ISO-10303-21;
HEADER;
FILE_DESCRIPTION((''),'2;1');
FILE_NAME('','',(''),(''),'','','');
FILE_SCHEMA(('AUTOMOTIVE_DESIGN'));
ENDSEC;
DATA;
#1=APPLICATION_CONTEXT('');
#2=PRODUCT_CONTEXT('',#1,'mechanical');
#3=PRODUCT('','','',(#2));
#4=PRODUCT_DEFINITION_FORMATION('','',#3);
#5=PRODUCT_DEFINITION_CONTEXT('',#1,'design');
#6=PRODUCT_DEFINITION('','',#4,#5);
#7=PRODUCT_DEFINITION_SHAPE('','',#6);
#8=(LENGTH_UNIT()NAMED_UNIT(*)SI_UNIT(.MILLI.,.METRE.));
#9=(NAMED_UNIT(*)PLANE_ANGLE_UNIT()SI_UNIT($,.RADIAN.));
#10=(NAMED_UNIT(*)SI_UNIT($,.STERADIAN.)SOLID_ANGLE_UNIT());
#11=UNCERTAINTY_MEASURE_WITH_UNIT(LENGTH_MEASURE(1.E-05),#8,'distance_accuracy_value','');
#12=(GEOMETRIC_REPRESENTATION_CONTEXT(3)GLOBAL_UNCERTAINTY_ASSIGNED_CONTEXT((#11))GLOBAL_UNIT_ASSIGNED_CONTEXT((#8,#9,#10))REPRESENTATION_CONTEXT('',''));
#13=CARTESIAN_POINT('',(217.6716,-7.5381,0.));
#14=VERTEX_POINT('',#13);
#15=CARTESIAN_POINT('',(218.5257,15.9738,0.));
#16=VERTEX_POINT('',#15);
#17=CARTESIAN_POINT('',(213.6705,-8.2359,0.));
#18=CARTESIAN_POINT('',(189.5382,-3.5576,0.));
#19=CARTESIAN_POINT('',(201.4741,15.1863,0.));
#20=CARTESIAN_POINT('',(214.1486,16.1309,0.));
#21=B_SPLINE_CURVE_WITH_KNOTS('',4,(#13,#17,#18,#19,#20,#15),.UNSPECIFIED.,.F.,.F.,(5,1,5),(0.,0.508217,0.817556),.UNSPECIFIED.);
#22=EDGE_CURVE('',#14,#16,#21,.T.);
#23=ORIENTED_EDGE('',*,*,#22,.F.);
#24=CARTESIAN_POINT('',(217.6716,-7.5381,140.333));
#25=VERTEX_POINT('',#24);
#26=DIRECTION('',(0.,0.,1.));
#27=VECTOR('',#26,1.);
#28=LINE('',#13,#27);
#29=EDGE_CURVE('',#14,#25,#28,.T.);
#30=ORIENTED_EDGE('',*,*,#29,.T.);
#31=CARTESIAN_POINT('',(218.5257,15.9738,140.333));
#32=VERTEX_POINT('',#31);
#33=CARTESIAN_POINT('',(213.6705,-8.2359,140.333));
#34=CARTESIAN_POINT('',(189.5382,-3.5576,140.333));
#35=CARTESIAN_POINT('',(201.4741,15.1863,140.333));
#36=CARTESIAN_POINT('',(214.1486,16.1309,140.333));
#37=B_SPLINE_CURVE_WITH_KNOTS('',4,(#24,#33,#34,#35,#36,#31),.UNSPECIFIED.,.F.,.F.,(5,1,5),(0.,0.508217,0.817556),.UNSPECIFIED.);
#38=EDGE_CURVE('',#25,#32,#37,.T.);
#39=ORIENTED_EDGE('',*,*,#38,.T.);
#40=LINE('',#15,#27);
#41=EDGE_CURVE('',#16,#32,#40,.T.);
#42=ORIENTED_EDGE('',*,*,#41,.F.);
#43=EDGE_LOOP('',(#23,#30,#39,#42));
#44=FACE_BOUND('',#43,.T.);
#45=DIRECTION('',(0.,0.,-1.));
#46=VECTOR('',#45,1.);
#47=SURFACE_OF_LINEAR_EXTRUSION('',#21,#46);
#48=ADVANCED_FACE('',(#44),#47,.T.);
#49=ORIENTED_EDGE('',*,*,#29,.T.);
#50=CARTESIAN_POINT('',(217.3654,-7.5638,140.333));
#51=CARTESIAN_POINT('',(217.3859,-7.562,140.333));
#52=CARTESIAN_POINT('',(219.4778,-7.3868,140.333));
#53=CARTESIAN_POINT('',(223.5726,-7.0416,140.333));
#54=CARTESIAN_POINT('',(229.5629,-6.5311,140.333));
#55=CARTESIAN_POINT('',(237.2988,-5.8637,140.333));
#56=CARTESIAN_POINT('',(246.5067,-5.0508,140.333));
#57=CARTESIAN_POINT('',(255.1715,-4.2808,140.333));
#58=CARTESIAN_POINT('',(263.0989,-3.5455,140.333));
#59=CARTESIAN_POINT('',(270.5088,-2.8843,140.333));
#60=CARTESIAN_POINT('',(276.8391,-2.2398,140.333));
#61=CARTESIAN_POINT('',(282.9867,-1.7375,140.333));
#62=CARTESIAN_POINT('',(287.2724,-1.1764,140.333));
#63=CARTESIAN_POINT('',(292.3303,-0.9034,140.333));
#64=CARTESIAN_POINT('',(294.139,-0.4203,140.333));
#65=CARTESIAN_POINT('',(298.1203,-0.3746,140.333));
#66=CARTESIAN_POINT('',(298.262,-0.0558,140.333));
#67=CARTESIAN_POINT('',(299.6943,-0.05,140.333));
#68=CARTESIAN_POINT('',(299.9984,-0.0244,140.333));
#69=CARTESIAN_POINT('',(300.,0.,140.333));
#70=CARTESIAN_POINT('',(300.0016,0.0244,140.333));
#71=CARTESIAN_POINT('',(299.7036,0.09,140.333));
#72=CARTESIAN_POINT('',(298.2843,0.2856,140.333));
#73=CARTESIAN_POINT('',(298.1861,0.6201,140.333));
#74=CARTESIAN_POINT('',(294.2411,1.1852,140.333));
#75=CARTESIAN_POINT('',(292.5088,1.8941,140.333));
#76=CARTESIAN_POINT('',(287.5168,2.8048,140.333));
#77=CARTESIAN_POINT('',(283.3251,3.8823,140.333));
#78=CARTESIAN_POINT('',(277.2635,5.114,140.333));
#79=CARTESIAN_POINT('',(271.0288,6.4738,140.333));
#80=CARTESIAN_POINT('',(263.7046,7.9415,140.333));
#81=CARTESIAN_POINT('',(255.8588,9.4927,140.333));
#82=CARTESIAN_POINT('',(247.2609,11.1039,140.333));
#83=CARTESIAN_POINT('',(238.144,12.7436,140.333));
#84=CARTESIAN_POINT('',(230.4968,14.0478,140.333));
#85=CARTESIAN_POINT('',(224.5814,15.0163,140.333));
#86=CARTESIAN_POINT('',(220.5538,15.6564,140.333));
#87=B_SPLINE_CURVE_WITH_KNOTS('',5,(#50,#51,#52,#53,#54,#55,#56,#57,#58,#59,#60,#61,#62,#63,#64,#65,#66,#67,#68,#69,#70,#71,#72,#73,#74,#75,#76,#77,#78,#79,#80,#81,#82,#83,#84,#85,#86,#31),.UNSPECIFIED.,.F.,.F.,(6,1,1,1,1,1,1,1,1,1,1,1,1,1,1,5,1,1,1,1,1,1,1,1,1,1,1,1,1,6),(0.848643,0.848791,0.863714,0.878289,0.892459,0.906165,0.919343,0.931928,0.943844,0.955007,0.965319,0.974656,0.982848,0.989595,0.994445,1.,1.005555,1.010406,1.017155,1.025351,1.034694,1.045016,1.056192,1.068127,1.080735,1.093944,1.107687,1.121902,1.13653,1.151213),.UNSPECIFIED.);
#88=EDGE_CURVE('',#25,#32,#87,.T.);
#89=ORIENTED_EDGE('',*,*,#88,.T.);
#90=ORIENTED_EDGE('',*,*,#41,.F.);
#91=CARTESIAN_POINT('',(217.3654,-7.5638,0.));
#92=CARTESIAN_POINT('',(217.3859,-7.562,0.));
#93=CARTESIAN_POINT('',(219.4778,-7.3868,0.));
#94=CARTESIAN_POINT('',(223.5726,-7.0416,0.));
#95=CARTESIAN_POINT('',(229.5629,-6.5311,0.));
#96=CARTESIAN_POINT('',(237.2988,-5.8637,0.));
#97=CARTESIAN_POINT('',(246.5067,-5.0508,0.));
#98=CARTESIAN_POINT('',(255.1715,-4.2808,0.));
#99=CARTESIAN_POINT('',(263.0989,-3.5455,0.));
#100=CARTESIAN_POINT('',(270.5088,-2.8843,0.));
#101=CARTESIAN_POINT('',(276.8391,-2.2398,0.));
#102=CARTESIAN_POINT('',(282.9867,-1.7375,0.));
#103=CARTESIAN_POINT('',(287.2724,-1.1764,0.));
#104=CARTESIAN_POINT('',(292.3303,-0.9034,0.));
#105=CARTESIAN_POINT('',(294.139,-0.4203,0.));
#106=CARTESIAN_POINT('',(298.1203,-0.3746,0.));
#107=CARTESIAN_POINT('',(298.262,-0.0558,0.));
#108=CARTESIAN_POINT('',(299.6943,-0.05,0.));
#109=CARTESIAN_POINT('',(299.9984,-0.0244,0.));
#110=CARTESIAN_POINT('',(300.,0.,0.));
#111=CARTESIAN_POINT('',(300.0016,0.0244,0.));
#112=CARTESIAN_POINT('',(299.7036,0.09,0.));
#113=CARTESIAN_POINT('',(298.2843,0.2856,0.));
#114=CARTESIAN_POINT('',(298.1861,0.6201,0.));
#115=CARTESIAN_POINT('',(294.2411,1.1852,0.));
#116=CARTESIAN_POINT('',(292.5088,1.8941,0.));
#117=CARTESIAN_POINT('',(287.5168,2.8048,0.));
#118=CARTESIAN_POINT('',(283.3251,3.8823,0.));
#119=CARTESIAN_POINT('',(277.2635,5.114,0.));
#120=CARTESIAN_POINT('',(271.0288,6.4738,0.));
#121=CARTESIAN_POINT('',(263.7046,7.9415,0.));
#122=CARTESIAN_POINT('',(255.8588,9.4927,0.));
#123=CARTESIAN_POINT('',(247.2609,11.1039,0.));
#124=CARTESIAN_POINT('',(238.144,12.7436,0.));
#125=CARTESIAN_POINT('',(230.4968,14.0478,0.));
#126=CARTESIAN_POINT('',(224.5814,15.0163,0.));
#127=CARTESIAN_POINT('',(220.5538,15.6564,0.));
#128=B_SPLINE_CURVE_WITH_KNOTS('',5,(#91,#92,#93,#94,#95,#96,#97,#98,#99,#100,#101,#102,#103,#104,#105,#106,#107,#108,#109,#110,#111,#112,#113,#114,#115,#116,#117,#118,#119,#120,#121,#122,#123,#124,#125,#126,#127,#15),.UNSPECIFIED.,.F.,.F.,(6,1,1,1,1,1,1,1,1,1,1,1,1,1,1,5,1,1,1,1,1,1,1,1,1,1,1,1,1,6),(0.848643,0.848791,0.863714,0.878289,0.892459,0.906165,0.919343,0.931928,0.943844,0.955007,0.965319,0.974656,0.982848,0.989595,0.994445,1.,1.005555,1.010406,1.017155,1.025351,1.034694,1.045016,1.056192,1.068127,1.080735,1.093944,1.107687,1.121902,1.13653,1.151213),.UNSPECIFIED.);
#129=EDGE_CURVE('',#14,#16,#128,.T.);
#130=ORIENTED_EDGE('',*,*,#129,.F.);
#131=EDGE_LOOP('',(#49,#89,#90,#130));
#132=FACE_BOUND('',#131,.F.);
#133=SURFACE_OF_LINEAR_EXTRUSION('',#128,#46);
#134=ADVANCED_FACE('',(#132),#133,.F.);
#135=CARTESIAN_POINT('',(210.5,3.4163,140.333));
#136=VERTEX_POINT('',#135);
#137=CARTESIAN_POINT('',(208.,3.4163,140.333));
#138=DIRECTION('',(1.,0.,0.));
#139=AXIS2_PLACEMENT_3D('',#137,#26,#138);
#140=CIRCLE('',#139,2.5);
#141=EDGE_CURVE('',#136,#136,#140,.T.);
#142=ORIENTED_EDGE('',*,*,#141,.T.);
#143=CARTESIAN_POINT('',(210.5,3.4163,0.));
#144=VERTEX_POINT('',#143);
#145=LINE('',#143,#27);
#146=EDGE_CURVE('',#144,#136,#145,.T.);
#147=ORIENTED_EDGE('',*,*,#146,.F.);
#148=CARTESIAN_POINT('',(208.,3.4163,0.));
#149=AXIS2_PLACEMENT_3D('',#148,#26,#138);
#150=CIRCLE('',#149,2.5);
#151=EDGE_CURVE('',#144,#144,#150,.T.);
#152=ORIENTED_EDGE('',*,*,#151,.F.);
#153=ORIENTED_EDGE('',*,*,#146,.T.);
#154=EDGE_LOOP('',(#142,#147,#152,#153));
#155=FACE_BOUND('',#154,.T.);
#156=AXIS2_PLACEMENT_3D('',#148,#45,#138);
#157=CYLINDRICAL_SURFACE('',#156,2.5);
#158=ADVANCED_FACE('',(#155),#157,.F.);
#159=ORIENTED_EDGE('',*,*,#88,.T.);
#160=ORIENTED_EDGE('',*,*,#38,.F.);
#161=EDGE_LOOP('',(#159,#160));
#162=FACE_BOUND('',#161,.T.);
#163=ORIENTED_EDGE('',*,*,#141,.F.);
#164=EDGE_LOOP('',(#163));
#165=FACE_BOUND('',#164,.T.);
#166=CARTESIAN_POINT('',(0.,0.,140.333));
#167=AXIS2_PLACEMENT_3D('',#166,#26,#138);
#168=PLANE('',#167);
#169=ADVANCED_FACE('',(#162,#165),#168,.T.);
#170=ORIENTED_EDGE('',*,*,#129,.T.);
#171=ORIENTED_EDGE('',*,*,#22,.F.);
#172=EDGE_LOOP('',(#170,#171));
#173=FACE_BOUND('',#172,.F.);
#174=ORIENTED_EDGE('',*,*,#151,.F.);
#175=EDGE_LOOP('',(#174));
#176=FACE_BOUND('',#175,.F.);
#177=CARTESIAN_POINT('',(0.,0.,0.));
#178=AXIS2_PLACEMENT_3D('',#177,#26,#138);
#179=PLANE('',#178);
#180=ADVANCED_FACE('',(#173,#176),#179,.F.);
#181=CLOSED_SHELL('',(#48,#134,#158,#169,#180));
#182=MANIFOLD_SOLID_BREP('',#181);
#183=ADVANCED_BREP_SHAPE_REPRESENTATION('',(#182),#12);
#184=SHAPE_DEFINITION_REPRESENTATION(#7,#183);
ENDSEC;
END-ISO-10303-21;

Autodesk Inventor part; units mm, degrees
ref_plane "YZ Plane" through (0, 0, 0) normal (1, 0, 0) x (0, 1, 0)
ref_plane "XZ Plane" through (0, 0, 0) normal (0, 1, 0) x (-1, 0, 0)
ref_plane "XY Plane" through (0, 0, 0) normal (0, 0, 1) x (1, 0, 0)
sketch "Sketch1" plane through (0, 0, 0) normal (0, 0, 1) x (1, 0, 0)
  spline S0 degree 5 poles (217.3654, -7.5638) (217.3859, -7.562) (219.4778, -7.3868) (223.5726, -7.0416) (229.5629, -6.5311) (237.2988, -5.8637) (246.5067, -5.0508) (255.1715, -4.2808) (263.0989, -3.5455) (270.5088, -2.8843) (276.8391, -2.2398) (282.9867, -1.7375) (287.2724, -1.1764) (292.3303, -0.9034) (294.139, -0.4203) (298.1203, -0.3746) (298.262, -0.0558) (299.6943, -0.05) (299.9984, -0.0244) (300, 0) (300.0016, 0.0244) (299.7036, 0.09) (298.2843, 0.2856) (298.1861, 0.6201) (294.2411, 1.1852) (292.5088, 1.8941) (287.5168, 2.8048) (283.3251, 3.8823) (277.2635, 5.114) (271.0288, 6.4738) (263.7046, 7.9415) (255.8588, 9.4927) (247.2609, 11.1039) (238.144, 12.7436) (230.4968, 14.0478) (224.5814, 15.0163) (220.5538, 15.6564) (218.5257, 15.9738) knots 0.848643 0.848643 0.848643 0.848643 0.848643 0.848643 0.848791 0.863714 0.878289 0.892459 0.906165 0.919343 0.931928 0.943844 0.955007 0.965319 0.974656 0.982848 0.989595 0.994445 1 1 1 1 1 1.005555 1.010406 1.017155 1.025351 1.034694 1.045016 1.056192 1.068127 1.080735 1.093944 1.107687 1.121902 1.13653 1.151213 1.151213 1.151213 1.151213 1.151213 1.151213
  line L0 (200, 103) -> (200, -97) construction
  line L1 (300, -103) -> (300, 103) construction
  line L2 (200, 3.7134) -> (300, 0) construction
  circle A0 centre (225, 2.7851) radius 2.5 construction
  line L3 (205.8741, -8.5266) -> (228.8566, -6.6009) construction
  arc A1 (208.1717, -8.3262) -> (226.5577, -6.7856) centre (-233.8691, 5377.8161) ccw construction
  line L4 (230.0222, 14.1744) -> (207.0292, 17.7732) construction
  arc A2 (227.7165, 14.4952) -> (209.3227, 17.3741) centre (49.5564, -1063.5951) ccw construction
  spline S1 degree 4 poles (217.6716, -7.5381) (213.6705, -8.2359) (189.5382, -3.5576) (201.4741, 15.1863) (214.1486, 16.1309) (218.5257, 15.9738) knots 0 0 0 0 0 0.508217 0.817556 0.817556 0.817556 0.817556 0.817556
  line L5 (212.7843, 16.1798) -> (224.2671, 15.7678) construction
  arc A3 (223.0904, 15.5928) -> (213.9454, 15.921) centre (216.7921, -32.3331) ccw construction
  circle A4 centre (208, 3.4163) radius 2.5
  point P0 (299.5428, 0.1089)
  point P1 (298.1739, 0.4338)
  point P2 (295.9008, 0.9681)
  point P3 (292.7367, 1.7025)
  point P4 (288.6996, 2.6229)
  point P5 (283.8129, 3.7134)
  point P6 (278.1048, 4.9545)
  point P7 (271.6086, 6.3255)
  point P8 (264.3621, 7.8039)
  point P9 (256.4085, 9.3663)
  point P10 (247.7946, 10.9887)
  point P11 (238.572, 12.6468)
  point P12 (228.7959, 14.3166)
  point P13 (207.8235, 17.5944)
  point P14 (237.7638, -5.8185)
  point P15 (247.0398, -5.0019)
  point P16 (255.7236, -4.2234)
  point P17 (263.7597, -3.4905)
  point P18 (271.0965, -2.8098)
  point P19 (277.6872, -2.1882)
  point P20 (283.4889, -1.6323)
  point P21 (288.4641, -1.1487)
  point P22 (292.5804, -0.7434)
  point P23 (295.8102, -0.4221)
  point P24 (298.1328, -0.1887)
  point P25 (299.5323, -0.0474)
  point P26 (217.3654, -7.5638)
  point P27 (206.2647, 13.1249)
  point P28 (218.5257, 15.9738)
  dimension "d17" = 100
  dimension "d22" = 5
  dimension "d23" = 75
  dimension "d30" = 5
sketch "Sketch3" plane through (0, 0, 0) normal (0, 0, 1) x (1, 0, 0)
  point P0 (0, 0)
sketch "Sketch4" plane through (0, 0, 0) normal (0, 0, 1) x (1, 0, 0)
  point P0 (0, 0)
sketch "Sketch5" plane through (0, 0, 0) normal (0, 0, 1) x (1, 0, 0)
  point P0 (0, 0)
sketch "Sketch6" plane through (0, 0, 0) normal (0, 0, 1) x (1, 0, 0)
  point P0 (0, 0)
sketch "Sketch7" plane through (0, 0, 0) normal (0, 0, 1) x (1, 0, 0)
  point P0 (0, 0)
sketch "Sketch8" plane through (0, 0, 0) normal (0, 0, 1) x (1, 0, 0)
  point P0 (0, 0)
extrude "Extrusion2" add sketch "Sketch1" along normal blind 140.333
properties part number "AIL outboard outer foam assembly" material "Polyurethane Foam"
